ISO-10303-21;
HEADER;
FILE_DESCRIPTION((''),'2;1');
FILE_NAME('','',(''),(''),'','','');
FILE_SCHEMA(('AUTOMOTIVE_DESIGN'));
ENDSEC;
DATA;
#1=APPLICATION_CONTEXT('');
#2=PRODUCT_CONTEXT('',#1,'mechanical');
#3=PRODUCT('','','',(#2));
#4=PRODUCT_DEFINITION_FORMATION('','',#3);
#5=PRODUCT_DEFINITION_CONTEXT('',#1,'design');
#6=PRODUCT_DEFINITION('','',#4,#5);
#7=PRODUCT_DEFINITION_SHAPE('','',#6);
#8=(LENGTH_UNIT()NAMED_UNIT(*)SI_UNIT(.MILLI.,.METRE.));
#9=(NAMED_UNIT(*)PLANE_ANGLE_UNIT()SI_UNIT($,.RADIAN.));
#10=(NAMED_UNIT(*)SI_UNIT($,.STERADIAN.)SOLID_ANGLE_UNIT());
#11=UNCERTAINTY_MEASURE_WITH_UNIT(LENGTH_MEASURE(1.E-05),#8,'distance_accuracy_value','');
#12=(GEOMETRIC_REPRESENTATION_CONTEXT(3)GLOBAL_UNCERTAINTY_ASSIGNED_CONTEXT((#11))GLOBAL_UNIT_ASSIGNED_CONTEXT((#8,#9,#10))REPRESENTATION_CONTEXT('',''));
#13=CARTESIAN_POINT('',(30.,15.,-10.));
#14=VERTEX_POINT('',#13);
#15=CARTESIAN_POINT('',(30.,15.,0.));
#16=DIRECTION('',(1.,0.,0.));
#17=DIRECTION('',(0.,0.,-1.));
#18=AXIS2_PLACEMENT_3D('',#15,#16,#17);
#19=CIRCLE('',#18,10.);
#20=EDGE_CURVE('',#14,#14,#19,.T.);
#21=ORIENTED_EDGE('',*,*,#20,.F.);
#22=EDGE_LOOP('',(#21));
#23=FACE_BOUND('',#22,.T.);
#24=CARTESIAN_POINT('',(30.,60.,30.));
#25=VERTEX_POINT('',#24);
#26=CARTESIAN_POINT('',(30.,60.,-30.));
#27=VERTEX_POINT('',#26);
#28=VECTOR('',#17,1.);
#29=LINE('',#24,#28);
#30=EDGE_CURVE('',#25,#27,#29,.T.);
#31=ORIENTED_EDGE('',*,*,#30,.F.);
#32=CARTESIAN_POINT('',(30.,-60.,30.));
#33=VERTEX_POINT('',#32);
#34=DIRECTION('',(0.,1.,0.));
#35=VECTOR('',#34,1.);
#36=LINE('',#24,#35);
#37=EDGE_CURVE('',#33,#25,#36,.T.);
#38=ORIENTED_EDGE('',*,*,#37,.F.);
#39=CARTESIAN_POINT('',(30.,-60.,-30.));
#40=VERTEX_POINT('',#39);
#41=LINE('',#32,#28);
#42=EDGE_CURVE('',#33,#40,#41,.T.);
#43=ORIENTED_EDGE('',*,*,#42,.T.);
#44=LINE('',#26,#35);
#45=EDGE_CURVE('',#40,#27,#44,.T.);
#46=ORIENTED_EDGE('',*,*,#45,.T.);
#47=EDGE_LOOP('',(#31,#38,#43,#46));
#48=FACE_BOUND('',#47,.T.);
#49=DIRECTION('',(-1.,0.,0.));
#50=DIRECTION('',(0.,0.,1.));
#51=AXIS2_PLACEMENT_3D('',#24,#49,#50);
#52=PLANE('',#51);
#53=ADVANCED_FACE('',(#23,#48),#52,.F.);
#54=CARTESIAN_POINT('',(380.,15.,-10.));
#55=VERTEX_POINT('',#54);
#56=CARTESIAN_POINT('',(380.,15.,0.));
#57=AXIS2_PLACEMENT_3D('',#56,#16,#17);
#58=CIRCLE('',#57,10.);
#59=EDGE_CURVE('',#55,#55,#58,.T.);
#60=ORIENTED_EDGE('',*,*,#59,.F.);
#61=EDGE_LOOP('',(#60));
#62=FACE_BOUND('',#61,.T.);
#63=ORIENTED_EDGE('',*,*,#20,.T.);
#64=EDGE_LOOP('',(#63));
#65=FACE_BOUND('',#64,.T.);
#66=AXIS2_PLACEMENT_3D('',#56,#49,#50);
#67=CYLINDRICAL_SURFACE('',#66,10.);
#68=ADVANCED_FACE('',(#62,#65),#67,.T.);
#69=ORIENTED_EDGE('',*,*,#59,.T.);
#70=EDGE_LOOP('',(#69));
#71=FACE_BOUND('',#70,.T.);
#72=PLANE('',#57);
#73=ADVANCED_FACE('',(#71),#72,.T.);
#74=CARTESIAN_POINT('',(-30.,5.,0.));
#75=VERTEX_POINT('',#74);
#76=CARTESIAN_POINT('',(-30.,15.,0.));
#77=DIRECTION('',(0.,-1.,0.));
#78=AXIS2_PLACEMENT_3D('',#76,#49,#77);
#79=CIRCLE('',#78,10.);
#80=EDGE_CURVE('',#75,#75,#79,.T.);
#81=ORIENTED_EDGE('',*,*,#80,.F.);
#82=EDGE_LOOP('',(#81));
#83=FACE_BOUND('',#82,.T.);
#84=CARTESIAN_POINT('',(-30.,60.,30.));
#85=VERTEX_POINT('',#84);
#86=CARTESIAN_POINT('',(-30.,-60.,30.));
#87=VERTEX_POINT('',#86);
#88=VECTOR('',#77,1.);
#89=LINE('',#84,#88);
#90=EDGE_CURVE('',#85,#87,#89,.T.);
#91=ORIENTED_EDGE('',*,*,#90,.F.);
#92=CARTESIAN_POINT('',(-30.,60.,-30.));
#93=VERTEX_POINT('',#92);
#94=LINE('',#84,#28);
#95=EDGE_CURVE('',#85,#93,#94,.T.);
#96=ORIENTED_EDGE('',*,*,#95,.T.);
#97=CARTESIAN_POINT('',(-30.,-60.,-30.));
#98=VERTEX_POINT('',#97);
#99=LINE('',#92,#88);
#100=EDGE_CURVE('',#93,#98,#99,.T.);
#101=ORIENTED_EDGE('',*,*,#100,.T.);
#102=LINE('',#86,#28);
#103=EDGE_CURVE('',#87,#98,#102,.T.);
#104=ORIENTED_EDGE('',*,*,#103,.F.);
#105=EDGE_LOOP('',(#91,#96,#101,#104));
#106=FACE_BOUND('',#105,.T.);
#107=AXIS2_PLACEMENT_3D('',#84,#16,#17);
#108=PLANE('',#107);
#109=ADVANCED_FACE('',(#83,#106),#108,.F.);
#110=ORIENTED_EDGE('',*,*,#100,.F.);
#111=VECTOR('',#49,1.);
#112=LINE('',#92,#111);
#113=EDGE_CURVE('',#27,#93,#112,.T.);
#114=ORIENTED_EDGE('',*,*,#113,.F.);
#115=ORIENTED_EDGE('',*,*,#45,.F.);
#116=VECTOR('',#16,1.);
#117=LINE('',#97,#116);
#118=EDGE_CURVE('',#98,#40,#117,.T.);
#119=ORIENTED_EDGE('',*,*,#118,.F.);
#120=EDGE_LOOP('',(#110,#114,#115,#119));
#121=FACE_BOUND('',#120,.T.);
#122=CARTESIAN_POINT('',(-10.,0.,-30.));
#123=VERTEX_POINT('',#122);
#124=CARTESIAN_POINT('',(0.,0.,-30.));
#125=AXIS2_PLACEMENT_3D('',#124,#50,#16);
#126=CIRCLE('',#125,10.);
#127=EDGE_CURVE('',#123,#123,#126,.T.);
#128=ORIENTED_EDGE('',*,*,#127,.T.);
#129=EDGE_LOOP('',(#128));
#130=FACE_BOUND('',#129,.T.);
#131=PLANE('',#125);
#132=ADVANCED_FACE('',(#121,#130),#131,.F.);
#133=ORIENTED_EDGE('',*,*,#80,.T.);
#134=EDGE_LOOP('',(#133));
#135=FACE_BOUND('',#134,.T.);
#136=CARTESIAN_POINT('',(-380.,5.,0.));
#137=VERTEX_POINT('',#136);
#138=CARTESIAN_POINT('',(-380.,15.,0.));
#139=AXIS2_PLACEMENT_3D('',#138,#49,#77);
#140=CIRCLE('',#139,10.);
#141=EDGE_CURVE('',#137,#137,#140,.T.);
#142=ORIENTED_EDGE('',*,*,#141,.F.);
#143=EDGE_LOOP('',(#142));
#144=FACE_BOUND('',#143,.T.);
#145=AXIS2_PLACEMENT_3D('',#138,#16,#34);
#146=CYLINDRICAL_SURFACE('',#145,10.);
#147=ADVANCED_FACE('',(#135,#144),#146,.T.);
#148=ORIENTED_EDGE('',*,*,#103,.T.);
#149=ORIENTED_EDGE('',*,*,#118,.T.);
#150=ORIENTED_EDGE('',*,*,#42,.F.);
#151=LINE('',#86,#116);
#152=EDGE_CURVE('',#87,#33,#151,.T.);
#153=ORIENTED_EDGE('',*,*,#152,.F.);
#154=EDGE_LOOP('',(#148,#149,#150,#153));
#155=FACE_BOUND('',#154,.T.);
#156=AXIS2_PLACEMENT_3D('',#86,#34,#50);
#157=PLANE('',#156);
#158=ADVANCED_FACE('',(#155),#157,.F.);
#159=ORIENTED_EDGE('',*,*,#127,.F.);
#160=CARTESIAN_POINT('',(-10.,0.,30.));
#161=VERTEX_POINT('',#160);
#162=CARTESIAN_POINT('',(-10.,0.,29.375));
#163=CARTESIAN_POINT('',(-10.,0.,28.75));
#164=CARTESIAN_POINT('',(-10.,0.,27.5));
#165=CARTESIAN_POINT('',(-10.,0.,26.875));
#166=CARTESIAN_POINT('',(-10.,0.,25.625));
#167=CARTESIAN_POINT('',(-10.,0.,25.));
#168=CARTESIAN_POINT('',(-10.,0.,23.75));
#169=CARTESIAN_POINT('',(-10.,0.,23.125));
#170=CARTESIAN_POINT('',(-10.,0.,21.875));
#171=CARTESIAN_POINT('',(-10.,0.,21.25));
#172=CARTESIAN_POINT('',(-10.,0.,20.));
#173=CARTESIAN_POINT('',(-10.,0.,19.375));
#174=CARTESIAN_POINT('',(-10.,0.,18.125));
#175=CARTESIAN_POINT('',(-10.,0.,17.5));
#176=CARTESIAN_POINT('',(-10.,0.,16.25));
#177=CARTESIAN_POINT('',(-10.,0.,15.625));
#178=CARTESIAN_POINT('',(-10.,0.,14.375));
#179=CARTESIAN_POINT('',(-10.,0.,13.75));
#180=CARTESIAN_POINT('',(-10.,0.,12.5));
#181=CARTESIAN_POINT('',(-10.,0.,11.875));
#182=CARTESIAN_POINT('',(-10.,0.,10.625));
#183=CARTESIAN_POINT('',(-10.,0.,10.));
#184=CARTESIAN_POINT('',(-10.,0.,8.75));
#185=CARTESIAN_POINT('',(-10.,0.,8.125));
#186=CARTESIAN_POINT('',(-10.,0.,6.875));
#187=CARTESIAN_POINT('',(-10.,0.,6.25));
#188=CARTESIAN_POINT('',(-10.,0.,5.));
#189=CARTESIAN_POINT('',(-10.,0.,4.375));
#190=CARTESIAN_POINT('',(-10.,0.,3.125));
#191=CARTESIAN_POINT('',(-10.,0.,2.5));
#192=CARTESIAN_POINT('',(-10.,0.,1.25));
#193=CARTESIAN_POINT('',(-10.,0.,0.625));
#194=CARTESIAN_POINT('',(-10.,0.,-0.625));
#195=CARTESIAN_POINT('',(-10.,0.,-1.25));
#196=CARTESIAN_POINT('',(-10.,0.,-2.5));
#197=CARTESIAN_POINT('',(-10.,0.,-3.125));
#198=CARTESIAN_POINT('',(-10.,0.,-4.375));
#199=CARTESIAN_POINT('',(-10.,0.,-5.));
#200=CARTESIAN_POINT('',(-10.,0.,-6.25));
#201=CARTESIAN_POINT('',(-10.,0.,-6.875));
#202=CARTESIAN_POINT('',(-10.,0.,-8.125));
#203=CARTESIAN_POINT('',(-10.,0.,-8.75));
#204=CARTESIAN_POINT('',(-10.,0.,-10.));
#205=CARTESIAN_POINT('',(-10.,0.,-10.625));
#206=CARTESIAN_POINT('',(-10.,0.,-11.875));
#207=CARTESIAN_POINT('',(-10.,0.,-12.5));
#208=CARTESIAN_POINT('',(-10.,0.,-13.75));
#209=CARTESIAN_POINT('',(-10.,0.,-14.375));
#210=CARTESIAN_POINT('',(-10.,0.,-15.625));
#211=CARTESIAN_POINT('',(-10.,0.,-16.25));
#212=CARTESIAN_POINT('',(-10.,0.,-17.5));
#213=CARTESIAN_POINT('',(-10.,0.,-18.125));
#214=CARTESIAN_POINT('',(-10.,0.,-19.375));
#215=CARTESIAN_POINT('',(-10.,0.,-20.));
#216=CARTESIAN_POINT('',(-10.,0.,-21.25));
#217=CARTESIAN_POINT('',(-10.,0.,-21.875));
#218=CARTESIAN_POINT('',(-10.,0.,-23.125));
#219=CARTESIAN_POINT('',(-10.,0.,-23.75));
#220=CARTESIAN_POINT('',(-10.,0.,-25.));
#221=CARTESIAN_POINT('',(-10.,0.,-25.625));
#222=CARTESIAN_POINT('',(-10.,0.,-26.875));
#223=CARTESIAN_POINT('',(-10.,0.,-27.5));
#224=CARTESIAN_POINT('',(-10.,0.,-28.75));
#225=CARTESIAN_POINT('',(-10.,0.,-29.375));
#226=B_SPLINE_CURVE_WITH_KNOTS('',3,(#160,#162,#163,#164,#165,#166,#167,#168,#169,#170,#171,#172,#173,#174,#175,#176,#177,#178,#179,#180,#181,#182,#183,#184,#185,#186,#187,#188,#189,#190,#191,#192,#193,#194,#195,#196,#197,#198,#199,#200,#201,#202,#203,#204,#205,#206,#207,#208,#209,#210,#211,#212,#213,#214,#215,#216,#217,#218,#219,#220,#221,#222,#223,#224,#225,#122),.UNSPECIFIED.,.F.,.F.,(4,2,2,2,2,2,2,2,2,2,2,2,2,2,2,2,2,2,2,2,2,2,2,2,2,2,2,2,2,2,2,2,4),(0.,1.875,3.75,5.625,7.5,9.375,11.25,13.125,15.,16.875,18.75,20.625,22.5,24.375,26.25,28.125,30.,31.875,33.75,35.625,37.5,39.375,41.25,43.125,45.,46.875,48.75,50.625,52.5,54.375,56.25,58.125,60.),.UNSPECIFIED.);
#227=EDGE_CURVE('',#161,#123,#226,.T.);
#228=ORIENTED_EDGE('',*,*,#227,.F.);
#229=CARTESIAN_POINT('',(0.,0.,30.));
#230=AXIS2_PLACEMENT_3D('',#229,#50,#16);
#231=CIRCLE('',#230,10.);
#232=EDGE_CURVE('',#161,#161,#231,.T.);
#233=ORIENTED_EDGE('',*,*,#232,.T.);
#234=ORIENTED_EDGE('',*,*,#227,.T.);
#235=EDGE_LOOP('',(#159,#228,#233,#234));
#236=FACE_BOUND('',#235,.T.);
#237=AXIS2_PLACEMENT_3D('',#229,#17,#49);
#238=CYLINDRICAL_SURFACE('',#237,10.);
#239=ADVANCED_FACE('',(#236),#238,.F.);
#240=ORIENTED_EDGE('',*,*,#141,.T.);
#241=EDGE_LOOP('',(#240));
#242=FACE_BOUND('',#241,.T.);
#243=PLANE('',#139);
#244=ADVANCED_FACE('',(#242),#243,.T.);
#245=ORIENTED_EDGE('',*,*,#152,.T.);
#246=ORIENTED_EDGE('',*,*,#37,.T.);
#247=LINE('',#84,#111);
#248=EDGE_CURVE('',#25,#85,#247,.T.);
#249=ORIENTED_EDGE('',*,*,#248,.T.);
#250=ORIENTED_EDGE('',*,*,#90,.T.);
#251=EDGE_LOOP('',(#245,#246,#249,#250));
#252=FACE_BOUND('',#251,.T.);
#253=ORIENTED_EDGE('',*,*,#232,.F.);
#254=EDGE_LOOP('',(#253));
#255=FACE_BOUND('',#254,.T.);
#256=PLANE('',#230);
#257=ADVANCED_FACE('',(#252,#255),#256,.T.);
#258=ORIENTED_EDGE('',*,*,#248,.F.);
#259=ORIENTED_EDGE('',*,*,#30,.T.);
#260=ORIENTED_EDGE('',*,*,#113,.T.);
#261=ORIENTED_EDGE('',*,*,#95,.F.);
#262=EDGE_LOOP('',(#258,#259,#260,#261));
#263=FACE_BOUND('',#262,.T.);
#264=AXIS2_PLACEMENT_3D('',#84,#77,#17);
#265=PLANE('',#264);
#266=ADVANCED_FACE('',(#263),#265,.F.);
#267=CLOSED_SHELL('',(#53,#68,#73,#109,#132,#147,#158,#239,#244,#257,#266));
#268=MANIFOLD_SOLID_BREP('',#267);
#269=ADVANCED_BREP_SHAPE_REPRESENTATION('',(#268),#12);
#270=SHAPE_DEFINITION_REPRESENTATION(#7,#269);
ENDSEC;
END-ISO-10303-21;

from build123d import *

# Parameters (mm, degrees)
SKETCH_1_W      = 60
SKETCH_1_H      = 120
SKETCH_1_R      = 10
EXTRUDE_1_DEPTH = 30
SKETCH_2_R      = 10
EXTRUDE_2_DEPTH = 350
EXTRUDE_START   = 350
SKETCH_3_R      = 10
EXTRUDE_3_DEPTH = 350


with BuildPart() as part:
    # Эскиз1 → Бобышка-Вытянуть1 (new, symmetric)
    with BuildSketch(Plane.XY):
        Rectangle(SKETCH_1_W, SKETCH_1_H)
        with Locations(Location((0, 0, 0), (0, 0, 180))):
            Circle(SKETCH_1_R, mode=Mode.SUBTRACT)
    extrude(amount=EXTRUDE_1_DEPTH, both=True)

    # Эскиз2 → Бобышка-Вытянуть2 (add)
    with BuildSketch(Plane.ZY.offset(30)):
        with Locations(Location((0, 15, 0), (0, 0, 270))):
            Circle(SKETCH_2_R)
    extrude(amount=EXTRUDE_2_DEPTH)

    # Эскиз3 → Бобышка-Вытянуть3 (add)
    with BuildSketch(Plane(origin=(30, 0, 0), x_dir=(0, 0, -1), z_dir=(1, 0, 0)).offset(EXTRUDE_START)):
        with Locations(Location((0, 15, 0), (0, 0, 270))):
            Circle(SKETCH_3_R)
    extrude(amount=-EXTRUDE_3_DEPTH)


solid = part.part
